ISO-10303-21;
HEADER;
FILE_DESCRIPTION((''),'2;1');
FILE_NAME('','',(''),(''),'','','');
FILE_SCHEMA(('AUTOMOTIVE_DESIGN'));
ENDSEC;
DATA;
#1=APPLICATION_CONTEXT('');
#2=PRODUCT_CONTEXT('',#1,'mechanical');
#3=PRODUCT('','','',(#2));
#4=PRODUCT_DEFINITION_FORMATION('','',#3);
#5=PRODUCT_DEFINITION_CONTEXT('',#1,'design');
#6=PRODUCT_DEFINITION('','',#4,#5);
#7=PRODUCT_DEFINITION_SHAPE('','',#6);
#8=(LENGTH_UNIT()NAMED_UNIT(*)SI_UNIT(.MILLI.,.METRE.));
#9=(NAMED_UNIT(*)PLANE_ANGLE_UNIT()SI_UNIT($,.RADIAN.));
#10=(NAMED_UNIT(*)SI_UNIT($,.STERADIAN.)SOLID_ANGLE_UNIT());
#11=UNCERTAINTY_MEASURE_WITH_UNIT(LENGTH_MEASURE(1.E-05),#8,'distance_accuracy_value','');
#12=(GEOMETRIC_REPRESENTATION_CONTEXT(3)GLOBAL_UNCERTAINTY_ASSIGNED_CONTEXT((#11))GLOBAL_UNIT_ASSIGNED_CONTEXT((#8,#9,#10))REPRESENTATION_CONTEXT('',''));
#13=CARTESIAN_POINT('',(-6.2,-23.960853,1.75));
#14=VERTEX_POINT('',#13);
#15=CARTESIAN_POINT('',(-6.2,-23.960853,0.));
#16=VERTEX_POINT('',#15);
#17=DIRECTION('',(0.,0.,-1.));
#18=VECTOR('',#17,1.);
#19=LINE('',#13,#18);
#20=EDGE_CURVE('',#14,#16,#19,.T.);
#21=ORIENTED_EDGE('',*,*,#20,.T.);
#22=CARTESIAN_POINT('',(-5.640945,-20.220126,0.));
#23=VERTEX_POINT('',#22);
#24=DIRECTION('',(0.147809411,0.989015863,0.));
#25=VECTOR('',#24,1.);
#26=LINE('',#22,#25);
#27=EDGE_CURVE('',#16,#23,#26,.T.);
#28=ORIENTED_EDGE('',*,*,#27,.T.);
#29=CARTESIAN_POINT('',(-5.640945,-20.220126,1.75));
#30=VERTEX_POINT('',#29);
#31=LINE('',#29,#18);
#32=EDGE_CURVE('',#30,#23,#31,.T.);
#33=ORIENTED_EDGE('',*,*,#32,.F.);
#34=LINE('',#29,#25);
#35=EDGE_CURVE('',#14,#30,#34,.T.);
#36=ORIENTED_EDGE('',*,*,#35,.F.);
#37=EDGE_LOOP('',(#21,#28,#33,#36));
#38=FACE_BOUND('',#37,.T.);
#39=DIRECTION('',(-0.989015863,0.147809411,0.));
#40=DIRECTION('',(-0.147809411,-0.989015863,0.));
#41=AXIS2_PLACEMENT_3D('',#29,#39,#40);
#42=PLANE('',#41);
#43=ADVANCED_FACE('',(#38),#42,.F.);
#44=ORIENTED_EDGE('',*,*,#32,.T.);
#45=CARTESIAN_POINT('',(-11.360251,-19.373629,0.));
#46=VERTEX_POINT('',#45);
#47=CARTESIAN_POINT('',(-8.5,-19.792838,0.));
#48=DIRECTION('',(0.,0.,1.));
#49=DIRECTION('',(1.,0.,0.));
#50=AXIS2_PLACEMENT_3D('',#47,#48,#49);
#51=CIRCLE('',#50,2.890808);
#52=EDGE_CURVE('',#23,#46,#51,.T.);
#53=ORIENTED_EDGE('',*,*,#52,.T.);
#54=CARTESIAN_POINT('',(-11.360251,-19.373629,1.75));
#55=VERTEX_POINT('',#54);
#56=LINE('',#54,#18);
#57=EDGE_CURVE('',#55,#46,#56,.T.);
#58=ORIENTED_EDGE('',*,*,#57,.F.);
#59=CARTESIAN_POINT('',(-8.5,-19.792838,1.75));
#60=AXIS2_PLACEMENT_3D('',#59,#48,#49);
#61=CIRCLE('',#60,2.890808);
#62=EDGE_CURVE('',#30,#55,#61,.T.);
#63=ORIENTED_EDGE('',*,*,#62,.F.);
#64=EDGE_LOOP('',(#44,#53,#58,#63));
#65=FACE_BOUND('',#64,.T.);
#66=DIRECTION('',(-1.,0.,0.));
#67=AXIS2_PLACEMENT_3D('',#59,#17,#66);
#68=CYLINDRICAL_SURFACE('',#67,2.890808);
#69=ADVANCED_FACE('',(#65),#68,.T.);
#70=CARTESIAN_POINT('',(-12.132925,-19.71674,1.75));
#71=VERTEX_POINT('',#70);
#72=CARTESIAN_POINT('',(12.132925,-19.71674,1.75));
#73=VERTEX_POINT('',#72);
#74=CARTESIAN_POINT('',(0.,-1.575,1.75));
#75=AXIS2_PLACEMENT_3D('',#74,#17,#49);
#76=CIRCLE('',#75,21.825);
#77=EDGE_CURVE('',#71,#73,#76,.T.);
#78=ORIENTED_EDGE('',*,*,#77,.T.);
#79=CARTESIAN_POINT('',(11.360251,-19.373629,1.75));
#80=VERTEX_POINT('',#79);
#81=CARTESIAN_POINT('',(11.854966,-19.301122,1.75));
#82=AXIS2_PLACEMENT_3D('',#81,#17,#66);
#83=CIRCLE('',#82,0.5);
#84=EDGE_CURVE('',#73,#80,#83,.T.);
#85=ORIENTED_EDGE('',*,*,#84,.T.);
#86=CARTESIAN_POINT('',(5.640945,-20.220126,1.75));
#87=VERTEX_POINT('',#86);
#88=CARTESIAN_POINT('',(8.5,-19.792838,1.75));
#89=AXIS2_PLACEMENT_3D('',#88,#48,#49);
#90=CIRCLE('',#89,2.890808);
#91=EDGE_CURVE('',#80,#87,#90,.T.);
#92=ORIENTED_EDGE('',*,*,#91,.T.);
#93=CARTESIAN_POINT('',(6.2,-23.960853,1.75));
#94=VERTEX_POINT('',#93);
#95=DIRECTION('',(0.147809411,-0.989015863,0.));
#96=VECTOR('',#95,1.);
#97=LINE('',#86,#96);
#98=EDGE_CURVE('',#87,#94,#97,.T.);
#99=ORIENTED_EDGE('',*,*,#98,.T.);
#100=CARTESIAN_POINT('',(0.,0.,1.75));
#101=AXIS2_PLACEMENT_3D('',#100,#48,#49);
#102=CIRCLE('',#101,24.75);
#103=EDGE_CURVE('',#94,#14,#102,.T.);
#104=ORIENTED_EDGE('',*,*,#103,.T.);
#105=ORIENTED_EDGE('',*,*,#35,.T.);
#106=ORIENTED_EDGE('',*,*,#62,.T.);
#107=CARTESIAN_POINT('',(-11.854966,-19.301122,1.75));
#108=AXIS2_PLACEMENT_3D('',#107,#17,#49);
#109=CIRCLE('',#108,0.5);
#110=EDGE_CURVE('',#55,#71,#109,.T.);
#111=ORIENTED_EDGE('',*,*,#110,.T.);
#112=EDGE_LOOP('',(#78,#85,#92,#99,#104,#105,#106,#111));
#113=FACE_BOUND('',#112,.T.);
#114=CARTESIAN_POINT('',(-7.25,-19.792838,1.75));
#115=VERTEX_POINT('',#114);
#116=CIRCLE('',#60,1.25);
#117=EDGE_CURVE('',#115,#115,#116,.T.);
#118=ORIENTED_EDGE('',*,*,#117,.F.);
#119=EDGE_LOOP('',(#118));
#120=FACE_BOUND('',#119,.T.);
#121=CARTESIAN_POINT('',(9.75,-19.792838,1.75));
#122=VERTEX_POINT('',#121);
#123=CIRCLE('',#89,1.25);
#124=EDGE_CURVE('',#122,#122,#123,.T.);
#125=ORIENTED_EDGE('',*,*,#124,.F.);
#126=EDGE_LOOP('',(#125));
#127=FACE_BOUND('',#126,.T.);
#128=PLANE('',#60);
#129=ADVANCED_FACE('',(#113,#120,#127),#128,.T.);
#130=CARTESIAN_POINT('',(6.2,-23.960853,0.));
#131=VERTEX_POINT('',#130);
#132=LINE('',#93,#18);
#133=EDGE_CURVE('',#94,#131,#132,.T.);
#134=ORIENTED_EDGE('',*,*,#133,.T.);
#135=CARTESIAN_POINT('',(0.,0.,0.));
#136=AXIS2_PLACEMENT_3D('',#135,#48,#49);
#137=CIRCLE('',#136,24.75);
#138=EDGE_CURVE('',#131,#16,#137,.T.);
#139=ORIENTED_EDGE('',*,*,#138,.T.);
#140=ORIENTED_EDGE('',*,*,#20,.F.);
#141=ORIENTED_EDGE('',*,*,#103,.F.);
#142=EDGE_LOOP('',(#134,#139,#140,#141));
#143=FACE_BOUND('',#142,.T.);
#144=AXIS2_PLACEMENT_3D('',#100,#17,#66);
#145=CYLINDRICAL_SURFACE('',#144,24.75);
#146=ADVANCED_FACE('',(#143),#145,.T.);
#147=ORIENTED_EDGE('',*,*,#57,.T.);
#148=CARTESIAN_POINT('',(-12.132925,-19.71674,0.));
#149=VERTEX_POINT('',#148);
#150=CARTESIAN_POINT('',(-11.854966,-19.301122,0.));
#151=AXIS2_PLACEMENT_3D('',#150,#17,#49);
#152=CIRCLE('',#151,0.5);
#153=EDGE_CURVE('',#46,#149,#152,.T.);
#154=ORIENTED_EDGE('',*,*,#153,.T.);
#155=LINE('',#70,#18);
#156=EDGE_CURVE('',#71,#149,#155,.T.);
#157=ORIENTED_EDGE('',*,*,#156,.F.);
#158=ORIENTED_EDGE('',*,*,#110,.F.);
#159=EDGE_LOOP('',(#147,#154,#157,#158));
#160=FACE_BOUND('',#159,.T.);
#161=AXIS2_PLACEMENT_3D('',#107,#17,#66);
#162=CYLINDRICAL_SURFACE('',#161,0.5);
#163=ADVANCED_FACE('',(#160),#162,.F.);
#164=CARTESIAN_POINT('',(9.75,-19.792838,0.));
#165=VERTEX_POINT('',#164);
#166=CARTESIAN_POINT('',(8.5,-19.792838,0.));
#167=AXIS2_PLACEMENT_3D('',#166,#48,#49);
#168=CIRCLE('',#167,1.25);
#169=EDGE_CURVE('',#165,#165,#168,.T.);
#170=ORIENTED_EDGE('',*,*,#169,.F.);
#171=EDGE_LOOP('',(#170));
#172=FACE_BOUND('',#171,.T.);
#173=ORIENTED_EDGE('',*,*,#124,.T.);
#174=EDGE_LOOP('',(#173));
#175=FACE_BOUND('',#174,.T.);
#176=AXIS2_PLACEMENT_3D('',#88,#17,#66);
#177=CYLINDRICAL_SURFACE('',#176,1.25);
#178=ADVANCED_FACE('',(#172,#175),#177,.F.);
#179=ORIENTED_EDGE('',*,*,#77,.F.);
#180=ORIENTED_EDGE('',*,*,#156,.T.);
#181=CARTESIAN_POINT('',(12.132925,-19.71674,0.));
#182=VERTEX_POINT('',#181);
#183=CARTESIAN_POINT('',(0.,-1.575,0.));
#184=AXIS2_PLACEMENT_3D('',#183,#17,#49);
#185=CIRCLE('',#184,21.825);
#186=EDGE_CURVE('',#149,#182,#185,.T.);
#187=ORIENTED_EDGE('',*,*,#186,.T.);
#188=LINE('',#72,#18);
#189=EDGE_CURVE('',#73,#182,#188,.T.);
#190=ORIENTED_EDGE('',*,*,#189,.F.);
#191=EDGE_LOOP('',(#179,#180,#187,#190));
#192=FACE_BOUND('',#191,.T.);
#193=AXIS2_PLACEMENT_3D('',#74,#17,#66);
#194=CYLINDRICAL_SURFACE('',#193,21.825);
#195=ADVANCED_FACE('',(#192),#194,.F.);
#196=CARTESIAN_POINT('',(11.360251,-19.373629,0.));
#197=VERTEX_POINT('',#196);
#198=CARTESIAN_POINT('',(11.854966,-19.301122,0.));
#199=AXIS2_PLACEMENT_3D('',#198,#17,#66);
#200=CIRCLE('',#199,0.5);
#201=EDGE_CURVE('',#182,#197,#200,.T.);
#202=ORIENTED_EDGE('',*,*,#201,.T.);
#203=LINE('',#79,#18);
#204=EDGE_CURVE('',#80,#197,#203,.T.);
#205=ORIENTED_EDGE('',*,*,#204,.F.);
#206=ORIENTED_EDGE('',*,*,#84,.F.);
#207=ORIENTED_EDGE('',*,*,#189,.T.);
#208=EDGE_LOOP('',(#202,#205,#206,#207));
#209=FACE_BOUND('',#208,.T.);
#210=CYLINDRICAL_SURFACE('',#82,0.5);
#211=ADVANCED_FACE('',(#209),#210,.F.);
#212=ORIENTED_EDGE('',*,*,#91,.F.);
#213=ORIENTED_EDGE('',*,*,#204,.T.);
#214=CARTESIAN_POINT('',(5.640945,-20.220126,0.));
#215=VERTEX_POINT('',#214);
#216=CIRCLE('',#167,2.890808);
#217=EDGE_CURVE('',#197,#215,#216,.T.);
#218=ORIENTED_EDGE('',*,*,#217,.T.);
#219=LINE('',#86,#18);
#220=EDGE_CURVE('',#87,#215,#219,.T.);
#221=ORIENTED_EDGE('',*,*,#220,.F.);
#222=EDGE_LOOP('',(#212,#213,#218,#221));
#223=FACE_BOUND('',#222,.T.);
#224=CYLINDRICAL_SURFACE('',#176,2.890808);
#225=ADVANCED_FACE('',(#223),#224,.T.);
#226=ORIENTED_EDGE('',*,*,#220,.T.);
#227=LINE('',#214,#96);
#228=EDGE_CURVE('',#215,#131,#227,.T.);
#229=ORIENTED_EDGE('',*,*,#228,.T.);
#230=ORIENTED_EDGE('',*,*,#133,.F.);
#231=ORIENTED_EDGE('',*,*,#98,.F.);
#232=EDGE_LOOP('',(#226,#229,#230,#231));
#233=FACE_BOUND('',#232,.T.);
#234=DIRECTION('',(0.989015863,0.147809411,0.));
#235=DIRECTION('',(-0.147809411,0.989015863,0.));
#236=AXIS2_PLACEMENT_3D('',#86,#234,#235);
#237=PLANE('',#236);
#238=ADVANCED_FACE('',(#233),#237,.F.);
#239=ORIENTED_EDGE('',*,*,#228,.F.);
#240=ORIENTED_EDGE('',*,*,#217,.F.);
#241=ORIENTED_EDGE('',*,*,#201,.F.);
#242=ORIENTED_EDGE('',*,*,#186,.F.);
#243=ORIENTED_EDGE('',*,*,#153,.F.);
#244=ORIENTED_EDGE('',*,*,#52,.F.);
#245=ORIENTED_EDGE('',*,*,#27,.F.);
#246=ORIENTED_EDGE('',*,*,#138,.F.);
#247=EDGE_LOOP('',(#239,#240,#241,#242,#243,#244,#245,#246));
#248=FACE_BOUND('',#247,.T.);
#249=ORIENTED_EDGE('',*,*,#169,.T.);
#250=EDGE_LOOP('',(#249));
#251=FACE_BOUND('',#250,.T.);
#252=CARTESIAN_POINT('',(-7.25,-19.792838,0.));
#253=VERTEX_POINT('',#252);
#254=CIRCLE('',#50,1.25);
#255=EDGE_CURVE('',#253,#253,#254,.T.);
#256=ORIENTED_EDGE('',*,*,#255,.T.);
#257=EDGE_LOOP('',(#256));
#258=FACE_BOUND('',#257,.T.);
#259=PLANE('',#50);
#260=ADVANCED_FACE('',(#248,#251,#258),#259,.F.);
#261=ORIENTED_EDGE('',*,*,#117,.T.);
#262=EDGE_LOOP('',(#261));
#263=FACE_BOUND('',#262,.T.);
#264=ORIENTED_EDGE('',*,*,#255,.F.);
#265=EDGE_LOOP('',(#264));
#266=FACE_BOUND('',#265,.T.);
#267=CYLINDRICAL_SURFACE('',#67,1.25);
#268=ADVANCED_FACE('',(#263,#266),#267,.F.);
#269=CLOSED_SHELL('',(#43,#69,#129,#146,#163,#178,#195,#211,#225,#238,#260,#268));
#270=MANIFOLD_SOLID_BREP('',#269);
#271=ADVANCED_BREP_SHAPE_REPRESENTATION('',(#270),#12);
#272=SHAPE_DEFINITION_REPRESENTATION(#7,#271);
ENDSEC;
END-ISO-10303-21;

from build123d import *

# Parameters (mm, degrees)
SKETCH1_R           = 1.25
BOSS_EXTRUDE1_DEPTH = 1.75


with BuildPart() as part:
    # Sketch1 → Boss-Extrude1 (new body)
    with BuildSketch(Plane.XY):
        with BuildLine():
            Line((-5.640944603, -20.220126485), (-6.2, -23.960853491))
            ThreePointArc((-6.2, -23.960853491), (0, 24.75), (6.2, -23.960853491))
            Line((6.2, -23.960853491), (5.640944603, -20.220126485))
            ThreePointArc((5.640944603, -20.220126485), (8.07675095, -16.933181584), (11.360251312, -19.373629229))
            ThreePointArc((11.360251312, -19.373629229), (11.652044799, -19.758093576), (12.132925437, -19.716740416))
            ThreePointArc((12.132925437, -19.716740416), (0, 20.25), (-12.132925437, -19.716740416))
            ThreePointArc((-12.132925437, -19.716740416), (-11.652044799, -19.758093576), (-11.360251312, -19.373629229))
            ThreePointArc((-11.360251312, -19.373629229), (-8.07675095, -16.933181584), (-5.640944603, -20.220126485))
        make_face()
        with Locations((-8.5, -19.792837793)):
            Circle(SKETCH1_R, mode=Mode.SUBTRACT)
        with Locations((8.5, -19.792837793)):
            Circle(SKETCH1_R, mode=Mode.SUBTRACT)
    extrude(amount=BOSS_EXTRUDE1_DEPTH)


solid = part.part
